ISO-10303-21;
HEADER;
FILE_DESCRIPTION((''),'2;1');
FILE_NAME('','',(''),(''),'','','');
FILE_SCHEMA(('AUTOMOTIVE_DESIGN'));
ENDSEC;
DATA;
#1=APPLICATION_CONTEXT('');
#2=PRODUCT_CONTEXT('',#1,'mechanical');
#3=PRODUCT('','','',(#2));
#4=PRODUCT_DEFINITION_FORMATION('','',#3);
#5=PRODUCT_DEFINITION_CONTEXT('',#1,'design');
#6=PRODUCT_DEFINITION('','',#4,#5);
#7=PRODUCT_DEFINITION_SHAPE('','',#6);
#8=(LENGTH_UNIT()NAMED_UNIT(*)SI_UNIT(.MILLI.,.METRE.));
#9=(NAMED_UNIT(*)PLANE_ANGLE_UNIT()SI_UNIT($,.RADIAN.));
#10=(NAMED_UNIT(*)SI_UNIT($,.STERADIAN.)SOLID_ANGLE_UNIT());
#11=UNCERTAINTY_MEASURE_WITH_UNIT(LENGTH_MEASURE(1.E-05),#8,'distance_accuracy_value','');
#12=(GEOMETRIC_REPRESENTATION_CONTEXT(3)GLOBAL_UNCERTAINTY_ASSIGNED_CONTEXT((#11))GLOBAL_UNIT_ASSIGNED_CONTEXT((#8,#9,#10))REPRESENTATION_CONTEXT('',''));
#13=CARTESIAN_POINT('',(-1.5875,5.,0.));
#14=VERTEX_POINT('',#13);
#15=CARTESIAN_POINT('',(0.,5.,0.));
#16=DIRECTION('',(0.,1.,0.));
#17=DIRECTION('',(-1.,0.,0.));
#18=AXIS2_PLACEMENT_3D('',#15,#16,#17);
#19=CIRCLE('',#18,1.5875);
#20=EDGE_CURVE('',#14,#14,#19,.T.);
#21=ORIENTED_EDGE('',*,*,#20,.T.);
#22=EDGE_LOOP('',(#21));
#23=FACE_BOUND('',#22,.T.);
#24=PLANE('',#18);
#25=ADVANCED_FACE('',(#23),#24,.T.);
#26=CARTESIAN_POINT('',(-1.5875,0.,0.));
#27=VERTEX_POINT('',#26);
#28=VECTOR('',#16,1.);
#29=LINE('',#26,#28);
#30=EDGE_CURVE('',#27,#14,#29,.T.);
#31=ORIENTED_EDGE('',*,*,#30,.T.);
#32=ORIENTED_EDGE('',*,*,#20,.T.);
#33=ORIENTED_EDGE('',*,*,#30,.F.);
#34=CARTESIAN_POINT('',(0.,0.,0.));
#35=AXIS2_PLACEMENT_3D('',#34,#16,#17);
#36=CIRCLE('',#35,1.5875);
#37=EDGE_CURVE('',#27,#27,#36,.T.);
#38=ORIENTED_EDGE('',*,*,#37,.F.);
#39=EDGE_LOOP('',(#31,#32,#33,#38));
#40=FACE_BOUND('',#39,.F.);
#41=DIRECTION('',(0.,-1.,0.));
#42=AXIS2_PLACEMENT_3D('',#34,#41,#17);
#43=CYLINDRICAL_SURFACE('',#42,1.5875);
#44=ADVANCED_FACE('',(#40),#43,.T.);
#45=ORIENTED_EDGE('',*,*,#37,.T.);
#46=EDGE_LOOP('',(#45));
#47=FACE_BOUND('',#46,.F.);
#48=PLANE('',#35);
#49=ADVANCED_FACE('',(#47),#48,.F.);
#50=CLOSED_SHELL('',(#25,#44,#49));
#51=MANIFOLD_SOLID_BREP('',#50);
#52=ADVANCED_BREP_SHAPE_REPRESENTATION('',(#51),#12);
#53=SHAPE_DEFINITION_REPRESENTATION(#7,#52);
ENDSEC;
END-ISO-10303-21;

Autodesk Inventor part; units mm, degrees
ref_plane "YZ Plane" through (0, 0, 0) normal (1, 0, 0) x (0, 1, 0)
ref_plane "XZ Plane" through (0, 0, 0) normal (0, 1, 0) x (-1, 0, 0)
ref_plane "XY Plane" through (0, 0, 0) normal (0, 0, 1) x (1, 0, 0)
sketch "Sketch1" plane through (0, 0, 0) normal (0, 1, 0) x (-1, 0, 0)
  circle A0 centre (0, 0) radius 1.5875
  dimension "d0" = 3.175
extrude "Extrusion1" add sketch "Sketch1" along normal blind 5
properties part number "Tube 1-8 5L"
